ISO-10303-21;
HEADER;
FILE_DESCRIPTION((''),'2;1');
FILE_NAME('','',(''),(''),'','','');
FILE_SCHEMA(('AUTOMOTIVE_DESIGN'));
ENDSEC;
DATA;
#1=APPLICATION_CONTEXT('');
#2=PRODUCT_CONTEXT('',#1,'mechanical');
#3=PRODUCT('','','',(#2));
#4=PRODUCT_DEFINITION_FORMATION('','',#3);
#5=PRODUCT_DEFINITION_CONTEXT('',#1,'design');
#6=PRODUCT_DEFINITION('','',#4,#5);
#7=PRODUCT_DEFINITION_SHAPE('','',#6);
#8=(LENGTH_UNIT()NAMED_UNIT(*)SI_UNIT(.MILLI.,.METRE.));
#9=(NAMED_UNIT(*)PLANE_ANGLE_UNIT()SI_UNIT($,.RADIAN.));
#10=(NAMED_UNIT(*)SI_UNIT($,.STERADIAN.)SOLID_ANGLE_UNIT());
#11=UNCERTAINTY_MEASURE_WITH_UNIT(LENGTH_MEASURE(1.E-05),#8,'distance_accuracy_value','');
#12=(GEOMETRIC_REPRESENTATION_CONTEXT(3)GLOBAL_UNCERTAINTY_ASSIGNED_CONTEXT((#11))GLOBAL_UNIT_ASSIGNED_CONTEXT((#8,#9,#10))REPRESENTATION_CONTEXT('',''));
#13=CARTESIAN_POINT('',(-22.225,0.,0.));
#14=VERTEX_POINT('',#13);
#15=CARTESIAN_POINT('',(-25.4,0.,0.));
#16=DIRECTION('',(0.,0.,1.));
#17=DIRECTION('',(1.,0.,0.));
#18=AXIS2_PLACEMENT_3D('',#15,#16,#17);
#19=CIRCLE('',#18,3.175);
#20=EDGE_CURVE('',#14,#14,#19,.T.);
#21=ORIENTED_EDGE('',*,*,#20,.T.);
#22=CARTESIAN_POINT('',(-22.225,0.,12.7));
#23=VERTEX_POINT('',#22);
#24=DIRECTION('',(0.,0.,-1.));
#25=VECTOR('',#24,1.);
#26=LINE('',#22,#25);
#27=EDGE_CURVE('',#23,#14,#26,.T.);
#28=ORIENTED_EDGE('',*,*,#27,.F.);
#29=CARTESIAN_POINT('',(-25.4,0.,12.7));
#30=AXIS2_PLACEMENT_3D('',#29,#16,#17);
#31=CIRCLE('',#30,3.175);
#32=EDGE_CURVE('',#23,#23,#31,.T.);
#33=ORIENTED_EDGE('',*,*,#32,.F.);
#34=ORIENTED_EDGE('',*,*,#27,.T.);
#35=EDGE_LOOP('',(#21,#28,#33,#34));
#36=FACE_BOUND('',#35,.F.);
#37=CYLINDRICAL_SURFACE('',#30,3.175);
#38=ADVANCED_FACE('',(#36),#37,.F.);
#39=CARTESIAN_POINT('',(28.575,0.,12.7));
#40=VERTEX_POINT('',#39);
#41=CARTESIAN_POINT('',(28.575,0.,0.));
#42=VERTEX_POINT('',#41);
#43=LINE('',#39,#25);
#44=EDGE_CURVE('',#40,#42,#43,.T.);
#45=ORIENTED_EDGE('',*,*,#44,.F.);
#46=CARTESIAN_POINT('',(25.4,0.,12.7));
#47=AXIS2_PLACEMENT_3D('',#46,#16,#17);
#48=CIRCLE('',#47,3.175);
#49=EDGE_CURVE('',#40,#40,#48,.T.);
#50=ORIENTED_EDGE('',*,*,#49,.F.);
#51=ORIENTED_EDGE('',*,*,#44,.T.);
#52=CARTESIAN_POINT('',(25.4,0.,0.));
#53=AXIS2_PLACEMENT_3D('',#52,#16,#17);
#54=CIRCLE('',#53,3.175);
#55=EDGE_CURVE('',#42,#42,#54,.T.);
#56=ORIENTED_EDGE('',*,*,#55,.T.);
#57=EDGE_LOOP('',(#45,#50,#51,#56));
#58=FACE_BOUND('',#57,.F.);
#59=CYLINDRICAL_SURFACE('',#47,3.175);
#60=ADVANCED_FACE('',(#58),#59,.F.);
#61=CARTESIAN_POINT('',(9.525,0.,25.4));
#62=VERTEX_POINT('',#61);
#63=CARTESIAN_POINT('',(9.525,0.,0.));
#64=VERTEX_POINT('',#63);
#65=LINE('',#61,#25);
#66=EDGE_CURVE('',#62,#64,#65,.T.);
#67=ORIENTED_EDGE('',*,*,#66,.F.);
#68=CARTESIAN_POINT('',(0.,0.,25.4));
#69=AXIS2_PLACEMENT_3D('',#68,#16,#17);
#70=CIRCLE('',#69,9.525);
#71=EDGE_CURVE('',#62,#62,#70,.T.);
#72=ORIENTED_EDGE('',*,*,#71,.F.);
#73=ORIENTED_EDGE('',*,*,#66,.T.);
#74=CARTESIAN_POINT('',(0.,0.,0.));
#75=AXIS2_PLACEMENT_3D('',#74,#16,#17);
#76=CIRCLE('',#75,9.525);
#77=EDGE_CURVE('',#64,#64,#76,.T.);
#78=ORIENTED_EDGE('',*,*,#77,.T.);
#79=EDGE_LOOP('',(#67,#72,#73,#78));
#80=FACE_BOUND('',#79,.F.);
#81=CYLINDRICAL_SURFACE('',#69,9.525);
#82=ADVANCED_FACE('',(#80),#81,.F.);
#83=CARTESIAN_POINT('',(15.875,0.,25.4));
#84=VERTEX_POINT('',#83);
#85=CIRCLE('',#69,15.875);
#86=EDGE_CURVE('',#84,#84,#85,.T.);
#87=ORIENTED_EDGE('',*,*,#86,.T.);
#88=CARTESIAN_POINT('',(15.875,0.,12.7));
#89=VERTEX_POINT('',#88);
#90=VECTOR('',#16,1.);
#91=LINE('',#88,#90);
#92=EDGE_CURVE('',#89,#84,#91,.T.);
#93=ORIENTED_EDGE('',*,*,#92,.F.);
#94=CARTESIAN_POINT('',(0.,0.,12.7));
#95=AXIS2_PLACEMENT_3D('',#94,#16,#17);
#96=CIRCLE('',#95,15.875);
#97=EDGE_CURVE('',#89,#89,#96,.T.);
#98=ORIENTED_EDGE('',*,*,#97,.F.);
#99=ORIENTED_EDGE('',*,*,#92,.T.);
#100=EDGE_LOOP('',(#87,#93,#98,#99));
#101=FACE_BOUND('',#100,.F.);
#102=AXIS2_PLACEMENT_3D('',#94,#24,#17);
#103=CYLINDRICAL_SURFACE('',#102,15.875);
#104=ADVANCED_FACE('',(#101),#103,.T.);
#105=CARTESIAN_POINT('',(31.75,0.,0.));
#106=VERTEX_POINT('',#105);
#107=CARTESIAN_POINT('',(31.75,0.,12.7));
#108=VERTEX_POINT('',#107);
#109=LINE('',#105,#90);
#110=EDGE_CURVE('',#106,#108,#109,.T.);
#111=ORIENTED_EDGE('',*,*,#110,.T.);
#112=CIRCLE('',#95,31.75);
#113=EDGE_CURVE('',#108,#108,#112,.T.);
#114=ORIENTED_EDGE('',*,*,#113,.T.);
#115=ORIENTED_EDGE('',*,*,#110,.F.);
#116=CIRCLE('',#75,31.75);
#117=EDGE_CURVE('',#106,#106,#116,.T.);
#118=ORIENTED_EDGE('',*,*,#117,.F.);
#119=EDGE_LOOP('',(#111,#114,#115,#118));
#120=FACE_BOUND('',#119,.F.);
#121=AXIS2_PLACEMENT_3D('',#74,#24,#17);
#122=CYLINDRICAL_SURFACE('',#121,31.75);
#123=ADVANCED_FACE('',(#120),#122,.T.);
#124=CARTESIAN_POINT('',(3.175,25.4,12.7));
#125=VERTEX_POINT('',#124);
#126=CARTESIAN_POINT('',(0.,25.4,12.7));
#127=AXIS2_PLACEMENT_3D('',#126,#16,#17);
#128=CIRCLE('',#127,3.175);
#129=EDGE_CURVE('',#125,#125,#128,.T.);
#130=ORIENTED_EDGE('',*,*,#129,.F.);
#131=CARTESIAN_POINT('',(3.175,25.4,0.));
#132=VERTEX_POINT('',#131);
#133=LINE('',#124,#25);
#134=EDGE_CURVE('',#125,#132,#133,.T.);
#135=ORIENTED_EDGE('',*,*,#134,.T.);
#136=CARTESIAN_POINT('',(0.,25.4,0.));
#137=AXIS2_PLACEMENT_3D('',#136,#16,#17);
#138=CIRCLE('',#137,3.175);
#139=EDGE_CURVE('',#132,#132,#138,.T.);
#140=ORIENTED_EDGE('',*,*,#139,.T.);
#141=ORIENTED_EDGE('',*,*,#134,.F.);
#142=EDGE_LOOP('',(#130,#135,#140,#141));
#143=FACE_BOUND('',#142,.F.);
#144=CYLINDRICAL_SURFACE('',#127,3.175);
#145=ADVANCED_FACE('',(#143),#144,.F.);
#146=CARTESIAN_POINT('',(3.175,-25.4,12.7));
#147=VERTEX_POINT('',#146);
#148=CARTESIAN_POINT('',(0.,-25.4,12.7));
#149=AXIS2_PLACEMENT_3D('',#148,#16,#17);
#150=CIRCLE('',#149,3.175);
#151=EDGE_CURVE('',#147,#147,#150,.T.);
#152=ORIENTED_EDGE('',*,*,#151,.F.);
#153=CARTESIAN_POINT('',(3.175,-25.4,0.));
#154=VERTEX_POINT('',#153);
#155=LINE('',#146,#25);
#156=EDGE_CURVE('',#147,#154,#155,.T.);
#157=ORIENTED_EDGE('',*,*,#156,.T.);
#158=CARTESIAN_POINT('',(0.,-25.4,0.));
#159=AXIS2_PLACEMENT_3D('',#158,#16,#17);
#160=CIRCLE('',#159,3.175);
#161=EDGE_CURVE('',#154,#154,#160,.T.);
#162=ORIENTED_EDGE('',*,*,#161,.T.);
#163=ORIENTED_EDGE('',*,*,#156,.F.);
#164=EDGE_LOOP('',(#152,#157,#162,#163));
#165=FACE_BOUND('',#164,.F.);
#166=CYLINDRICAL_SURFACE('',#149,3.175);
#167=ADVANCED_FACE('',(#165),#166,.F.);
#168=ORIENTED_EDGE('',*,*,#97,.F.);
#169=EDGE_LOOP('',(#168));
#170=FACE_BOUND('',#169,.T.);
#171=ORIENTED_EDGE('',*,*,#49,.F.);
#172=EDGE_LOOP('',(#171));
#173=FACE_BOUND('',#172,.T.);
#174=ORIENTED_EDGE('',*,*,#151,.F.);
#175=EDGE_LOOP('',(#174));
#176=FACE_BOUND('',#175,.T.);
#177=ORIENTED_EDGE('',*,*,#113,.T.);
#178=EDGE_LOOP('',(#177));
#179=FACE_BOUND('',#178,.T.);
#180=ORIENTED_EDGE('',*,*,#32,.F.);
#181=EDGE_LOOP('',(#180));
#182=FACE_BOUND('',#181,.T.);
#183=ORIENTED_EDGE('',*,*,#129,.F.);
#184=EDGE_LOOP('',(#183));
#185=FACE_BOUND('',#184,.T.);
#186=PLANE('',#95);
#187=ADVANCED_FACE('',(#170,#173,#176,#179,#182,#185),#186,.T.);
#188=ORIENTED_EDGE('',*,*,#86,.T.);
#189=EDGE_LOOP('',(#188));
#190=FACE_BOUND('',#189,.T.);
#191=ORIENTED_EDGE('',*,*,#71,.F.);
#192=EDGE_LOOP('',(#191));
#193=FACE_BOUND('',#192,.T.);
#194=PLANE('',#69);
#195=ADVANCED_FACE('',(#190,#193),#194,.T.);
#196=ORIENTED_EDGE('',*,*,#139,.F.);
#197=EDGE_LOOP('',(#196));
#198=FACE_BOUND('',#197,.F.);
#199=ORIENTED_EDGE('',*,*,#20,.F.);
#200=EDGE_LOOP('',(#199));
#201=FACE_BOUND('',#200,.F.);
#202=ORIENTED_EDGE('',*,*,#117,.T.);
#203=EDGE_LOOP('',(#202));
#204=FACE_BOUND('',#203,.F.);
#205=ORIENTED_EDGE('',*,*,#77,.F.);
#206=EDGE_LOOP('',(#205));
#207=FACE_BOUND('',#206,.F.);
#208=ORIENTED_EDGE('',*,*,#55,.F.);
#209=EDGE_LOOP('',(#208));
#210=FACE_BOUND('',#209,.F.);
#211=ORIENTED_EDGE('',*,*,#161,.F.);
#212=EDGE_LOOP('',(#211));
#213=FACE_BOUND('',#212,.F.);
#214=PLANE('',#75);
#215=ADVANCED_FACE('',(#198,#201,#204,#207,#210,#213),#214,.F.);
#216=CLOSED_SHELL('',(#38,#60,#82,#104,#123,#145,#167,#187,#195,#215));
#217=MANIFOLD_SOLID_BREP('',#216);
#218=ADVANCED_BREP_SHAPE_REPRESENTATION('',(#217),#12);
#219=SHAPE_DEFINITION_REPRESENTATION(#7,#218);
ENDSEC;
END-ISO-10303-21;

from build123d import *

# Parameters (mm, degrees)
F0_R     = 31.75
F0_R_2   = 15.875
F1_DEPTH = 12.7
F2_R     = 15.875
F3_DEPTH = 12.7
F4_R     = 9.525
F5_DEPTH = 25.4
F6_R     = 3.175
F7_DEPTH = 12.7


with BuildPart() as f1:
    # F0 (on Top) → F1 (new body)
    with BuildSketch(Plane.XY):
        Circle(F0_R)
        Circle(F0_R_2, mode=Mode.SUBTRACT)
        Circle(F0_R_2)
    extrude(amount=F1_DEPTH)

    # F2 (on face) → F3 (join)
    with BuildSketch(Plane.XY.offset(12.7)):
        Circle(F2_R)
    extrude(amount=F3_DEPTH)

    # F4 (on face) → F5 (cut, through all)
    with BuildSketch(Plane.XY.offset(25.4)):
        Circle(F4_R)
    extrude(amount=-F5_DEPTH, mode=Mode.SUBTRACT)

    # F6 (on face) → F7 (cut, through all)
    with BuildSketch(Plane.XY.offset(12.7)):
        with Locations((0, 25.4)):
            Circle(F6_R)
        with Locations((0, -25.4)):
            Circle(F6_R)
        with Locations((25.4, 0)):
            Circle(F6_R)
        with Locations((-25.4, 0)):
            Circle(F6_R)
    extrude(amount=-F7_DEPTH, mode=Mode.SUBTRACT)


solid = f1.part
